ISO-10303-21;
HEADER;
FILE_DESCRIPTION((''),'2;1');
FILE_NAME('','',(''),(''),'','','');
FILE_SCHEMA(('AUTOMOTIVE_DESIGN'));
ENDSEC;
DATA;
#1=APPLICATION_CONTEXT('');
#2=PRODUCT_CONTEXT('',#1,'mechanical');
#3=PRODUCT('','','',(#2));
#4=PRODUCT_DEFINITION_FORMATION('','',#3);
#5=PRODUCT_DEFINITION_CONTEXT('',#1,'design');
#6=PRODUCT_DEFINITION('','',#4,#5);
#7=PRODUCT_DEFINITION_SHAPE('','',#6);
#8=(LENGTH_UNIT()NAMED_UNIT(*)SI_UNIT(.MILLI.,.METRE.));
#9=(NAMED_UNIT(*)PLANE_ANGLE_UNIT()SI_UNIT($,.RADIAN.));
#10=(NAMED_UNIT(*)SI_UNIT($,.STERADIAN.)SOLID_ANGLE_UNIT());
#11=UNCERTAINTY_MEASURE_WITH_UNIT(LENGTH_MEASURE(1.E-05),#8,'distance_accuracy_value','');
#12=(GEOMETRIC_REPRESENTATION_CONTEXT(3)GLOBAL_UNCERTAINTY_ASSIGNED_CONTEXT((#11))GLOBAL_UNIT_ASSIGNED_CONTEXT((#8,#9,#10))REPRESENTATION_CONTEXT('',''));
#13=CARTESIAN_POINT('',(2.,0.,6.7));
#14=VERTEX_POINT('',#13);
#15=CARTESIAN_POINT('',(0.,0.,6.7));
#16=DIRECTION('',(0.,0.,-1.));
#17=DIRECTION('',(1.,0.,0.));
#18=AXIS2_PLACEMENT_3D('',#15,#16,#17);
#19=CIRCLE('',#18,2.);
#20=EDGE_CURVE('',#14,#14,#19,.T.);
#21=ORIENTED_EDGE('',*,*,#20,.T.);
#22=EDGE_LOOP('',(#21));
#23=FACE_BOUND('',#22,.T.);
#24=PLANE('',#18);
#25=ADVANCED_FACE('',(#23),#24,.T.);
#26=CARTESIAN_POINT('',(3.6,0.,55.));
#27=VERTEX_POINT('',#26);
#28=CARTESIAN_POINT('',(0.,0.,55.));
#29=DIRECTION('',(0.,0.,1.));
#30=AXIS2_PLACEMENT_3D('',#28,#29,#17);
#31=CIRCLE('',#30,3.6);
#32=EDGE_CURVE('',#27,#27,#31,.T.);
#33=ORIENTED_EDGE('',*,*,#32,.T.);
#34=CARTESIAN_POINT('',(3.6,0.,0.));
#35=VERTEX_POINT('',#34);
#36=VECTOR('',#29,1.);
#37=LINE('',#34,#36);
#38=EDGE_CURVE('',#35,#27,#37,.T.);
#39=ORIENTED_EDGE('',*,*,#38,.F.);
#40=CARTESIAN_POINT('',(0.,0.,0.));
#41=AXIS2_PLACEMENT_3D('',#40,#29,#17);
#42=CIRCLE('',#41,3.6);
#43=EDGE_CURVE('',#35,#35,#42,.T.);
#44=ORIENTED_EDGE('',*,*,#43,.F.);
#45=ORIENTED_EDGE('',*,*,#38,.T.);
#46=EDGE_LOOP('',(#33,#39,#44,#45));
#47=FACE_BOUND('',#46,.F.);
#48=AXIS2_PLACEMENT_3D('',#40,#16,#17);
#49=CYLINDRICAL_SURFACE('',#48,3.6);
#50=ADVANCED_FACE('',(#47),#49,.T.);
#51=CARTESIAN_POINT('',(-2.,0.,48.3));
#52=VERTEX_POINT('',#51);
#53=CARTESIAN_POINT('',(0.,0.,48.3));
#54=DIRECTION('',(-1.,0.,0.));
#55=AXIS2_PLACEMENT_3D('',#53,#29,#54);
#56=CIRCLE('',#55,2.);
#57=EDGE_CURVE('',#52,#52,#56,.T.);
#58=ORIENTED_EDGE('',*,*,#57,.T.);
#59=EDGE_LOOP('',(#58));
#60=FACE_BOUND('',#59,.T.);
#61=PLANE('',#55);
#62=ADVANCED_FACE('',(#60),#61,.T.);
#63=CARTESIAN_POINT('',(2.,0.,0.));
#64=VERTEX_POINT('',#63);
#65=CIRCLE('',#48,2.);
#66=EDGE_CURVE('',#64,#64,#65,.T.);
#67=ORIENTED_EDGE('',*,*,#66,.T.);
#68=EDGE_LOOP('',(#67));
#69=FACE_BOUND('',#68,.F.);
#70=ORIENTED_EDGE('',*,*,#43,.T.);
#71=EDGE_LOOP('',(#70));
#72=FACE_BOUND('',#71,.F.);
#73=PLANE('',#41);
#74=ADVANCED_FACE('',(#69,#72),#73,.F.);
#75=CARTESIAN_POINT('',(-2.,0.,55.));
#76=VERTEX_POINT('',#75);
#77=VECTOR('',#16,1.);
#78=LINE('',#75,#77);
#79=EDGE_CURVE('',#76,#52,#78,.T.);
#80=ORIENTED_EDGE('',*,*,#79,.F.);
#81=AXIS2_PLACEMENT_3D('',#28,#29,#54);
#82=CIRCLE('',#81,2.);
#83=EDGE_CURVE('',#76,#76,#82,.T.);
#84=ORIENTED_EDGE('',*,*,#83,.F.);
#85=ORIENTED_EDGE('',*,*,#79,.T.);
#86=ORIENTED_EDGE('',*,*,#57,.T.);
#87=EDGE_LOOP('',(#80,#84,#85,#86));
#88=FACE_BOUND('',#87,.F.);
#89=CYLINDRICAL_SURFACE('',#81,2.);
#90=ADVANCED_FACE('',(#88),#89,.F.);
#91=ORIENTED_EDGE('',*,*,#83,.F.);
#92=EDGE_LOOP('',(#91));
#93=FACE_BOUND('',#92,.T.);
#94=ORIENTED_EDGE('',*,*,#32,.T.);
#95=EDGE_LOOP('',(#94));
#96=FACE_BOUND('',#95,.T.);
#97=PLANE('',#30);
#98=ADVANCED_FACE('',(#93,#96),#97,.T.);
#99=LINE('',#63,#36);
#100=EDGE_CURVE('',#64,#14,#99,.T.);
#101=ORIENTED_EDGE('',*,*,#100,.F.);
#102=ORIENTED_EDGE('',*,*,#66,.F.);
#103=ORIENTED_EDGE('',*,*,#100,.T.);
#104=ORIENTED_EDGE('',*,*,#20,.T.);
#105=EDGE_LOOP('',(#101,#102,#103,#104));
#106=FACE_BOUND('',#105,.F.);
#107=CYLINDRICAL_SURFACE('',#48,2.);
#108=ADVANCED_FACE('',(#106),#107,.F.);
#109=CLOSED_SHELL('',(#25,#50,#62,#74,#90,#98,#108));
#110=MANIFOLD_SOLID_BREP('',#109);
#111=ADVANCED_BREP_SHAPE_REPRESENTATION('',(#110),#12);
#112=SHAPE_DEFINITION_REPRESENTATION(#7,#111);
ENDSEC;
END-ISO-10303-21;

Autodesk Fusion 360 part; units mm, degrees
sketch "Sketch1" plane through (0, 0, 0) normal (0, 0, 1) x (1, 0, 0)
  circle A0 centre (0, 0) radius 3.6
  dimension "d1" = 7.2
extrude "Extrude1" add sketch "Sketch1" along normal blind 55
sketch "Sketch2" plane through (0, 0, 55) normal (0, 0, 1) x (-1, 0, 0)
  circle A0 centre (0, 0) radius 3.6
  circle A1 centre (0, 0) radius 2
  dimension "d4" = 4
extrude "Extrude2" cut sketch "Sketch2" against normal blind 6.7 contours A1
sketch "Sketch3" plane through (0, 0, 0) normal (0, 0, -1) x (1, 0, 0)
  circle A0 centre (0, 0) radius 3.6
  circle A1 centre (0, 0) radius 2
  dimension "d7" = 4
extrude "Extrude3" cut sketch "Sketch3" against normal blind 6.7 contours A1
